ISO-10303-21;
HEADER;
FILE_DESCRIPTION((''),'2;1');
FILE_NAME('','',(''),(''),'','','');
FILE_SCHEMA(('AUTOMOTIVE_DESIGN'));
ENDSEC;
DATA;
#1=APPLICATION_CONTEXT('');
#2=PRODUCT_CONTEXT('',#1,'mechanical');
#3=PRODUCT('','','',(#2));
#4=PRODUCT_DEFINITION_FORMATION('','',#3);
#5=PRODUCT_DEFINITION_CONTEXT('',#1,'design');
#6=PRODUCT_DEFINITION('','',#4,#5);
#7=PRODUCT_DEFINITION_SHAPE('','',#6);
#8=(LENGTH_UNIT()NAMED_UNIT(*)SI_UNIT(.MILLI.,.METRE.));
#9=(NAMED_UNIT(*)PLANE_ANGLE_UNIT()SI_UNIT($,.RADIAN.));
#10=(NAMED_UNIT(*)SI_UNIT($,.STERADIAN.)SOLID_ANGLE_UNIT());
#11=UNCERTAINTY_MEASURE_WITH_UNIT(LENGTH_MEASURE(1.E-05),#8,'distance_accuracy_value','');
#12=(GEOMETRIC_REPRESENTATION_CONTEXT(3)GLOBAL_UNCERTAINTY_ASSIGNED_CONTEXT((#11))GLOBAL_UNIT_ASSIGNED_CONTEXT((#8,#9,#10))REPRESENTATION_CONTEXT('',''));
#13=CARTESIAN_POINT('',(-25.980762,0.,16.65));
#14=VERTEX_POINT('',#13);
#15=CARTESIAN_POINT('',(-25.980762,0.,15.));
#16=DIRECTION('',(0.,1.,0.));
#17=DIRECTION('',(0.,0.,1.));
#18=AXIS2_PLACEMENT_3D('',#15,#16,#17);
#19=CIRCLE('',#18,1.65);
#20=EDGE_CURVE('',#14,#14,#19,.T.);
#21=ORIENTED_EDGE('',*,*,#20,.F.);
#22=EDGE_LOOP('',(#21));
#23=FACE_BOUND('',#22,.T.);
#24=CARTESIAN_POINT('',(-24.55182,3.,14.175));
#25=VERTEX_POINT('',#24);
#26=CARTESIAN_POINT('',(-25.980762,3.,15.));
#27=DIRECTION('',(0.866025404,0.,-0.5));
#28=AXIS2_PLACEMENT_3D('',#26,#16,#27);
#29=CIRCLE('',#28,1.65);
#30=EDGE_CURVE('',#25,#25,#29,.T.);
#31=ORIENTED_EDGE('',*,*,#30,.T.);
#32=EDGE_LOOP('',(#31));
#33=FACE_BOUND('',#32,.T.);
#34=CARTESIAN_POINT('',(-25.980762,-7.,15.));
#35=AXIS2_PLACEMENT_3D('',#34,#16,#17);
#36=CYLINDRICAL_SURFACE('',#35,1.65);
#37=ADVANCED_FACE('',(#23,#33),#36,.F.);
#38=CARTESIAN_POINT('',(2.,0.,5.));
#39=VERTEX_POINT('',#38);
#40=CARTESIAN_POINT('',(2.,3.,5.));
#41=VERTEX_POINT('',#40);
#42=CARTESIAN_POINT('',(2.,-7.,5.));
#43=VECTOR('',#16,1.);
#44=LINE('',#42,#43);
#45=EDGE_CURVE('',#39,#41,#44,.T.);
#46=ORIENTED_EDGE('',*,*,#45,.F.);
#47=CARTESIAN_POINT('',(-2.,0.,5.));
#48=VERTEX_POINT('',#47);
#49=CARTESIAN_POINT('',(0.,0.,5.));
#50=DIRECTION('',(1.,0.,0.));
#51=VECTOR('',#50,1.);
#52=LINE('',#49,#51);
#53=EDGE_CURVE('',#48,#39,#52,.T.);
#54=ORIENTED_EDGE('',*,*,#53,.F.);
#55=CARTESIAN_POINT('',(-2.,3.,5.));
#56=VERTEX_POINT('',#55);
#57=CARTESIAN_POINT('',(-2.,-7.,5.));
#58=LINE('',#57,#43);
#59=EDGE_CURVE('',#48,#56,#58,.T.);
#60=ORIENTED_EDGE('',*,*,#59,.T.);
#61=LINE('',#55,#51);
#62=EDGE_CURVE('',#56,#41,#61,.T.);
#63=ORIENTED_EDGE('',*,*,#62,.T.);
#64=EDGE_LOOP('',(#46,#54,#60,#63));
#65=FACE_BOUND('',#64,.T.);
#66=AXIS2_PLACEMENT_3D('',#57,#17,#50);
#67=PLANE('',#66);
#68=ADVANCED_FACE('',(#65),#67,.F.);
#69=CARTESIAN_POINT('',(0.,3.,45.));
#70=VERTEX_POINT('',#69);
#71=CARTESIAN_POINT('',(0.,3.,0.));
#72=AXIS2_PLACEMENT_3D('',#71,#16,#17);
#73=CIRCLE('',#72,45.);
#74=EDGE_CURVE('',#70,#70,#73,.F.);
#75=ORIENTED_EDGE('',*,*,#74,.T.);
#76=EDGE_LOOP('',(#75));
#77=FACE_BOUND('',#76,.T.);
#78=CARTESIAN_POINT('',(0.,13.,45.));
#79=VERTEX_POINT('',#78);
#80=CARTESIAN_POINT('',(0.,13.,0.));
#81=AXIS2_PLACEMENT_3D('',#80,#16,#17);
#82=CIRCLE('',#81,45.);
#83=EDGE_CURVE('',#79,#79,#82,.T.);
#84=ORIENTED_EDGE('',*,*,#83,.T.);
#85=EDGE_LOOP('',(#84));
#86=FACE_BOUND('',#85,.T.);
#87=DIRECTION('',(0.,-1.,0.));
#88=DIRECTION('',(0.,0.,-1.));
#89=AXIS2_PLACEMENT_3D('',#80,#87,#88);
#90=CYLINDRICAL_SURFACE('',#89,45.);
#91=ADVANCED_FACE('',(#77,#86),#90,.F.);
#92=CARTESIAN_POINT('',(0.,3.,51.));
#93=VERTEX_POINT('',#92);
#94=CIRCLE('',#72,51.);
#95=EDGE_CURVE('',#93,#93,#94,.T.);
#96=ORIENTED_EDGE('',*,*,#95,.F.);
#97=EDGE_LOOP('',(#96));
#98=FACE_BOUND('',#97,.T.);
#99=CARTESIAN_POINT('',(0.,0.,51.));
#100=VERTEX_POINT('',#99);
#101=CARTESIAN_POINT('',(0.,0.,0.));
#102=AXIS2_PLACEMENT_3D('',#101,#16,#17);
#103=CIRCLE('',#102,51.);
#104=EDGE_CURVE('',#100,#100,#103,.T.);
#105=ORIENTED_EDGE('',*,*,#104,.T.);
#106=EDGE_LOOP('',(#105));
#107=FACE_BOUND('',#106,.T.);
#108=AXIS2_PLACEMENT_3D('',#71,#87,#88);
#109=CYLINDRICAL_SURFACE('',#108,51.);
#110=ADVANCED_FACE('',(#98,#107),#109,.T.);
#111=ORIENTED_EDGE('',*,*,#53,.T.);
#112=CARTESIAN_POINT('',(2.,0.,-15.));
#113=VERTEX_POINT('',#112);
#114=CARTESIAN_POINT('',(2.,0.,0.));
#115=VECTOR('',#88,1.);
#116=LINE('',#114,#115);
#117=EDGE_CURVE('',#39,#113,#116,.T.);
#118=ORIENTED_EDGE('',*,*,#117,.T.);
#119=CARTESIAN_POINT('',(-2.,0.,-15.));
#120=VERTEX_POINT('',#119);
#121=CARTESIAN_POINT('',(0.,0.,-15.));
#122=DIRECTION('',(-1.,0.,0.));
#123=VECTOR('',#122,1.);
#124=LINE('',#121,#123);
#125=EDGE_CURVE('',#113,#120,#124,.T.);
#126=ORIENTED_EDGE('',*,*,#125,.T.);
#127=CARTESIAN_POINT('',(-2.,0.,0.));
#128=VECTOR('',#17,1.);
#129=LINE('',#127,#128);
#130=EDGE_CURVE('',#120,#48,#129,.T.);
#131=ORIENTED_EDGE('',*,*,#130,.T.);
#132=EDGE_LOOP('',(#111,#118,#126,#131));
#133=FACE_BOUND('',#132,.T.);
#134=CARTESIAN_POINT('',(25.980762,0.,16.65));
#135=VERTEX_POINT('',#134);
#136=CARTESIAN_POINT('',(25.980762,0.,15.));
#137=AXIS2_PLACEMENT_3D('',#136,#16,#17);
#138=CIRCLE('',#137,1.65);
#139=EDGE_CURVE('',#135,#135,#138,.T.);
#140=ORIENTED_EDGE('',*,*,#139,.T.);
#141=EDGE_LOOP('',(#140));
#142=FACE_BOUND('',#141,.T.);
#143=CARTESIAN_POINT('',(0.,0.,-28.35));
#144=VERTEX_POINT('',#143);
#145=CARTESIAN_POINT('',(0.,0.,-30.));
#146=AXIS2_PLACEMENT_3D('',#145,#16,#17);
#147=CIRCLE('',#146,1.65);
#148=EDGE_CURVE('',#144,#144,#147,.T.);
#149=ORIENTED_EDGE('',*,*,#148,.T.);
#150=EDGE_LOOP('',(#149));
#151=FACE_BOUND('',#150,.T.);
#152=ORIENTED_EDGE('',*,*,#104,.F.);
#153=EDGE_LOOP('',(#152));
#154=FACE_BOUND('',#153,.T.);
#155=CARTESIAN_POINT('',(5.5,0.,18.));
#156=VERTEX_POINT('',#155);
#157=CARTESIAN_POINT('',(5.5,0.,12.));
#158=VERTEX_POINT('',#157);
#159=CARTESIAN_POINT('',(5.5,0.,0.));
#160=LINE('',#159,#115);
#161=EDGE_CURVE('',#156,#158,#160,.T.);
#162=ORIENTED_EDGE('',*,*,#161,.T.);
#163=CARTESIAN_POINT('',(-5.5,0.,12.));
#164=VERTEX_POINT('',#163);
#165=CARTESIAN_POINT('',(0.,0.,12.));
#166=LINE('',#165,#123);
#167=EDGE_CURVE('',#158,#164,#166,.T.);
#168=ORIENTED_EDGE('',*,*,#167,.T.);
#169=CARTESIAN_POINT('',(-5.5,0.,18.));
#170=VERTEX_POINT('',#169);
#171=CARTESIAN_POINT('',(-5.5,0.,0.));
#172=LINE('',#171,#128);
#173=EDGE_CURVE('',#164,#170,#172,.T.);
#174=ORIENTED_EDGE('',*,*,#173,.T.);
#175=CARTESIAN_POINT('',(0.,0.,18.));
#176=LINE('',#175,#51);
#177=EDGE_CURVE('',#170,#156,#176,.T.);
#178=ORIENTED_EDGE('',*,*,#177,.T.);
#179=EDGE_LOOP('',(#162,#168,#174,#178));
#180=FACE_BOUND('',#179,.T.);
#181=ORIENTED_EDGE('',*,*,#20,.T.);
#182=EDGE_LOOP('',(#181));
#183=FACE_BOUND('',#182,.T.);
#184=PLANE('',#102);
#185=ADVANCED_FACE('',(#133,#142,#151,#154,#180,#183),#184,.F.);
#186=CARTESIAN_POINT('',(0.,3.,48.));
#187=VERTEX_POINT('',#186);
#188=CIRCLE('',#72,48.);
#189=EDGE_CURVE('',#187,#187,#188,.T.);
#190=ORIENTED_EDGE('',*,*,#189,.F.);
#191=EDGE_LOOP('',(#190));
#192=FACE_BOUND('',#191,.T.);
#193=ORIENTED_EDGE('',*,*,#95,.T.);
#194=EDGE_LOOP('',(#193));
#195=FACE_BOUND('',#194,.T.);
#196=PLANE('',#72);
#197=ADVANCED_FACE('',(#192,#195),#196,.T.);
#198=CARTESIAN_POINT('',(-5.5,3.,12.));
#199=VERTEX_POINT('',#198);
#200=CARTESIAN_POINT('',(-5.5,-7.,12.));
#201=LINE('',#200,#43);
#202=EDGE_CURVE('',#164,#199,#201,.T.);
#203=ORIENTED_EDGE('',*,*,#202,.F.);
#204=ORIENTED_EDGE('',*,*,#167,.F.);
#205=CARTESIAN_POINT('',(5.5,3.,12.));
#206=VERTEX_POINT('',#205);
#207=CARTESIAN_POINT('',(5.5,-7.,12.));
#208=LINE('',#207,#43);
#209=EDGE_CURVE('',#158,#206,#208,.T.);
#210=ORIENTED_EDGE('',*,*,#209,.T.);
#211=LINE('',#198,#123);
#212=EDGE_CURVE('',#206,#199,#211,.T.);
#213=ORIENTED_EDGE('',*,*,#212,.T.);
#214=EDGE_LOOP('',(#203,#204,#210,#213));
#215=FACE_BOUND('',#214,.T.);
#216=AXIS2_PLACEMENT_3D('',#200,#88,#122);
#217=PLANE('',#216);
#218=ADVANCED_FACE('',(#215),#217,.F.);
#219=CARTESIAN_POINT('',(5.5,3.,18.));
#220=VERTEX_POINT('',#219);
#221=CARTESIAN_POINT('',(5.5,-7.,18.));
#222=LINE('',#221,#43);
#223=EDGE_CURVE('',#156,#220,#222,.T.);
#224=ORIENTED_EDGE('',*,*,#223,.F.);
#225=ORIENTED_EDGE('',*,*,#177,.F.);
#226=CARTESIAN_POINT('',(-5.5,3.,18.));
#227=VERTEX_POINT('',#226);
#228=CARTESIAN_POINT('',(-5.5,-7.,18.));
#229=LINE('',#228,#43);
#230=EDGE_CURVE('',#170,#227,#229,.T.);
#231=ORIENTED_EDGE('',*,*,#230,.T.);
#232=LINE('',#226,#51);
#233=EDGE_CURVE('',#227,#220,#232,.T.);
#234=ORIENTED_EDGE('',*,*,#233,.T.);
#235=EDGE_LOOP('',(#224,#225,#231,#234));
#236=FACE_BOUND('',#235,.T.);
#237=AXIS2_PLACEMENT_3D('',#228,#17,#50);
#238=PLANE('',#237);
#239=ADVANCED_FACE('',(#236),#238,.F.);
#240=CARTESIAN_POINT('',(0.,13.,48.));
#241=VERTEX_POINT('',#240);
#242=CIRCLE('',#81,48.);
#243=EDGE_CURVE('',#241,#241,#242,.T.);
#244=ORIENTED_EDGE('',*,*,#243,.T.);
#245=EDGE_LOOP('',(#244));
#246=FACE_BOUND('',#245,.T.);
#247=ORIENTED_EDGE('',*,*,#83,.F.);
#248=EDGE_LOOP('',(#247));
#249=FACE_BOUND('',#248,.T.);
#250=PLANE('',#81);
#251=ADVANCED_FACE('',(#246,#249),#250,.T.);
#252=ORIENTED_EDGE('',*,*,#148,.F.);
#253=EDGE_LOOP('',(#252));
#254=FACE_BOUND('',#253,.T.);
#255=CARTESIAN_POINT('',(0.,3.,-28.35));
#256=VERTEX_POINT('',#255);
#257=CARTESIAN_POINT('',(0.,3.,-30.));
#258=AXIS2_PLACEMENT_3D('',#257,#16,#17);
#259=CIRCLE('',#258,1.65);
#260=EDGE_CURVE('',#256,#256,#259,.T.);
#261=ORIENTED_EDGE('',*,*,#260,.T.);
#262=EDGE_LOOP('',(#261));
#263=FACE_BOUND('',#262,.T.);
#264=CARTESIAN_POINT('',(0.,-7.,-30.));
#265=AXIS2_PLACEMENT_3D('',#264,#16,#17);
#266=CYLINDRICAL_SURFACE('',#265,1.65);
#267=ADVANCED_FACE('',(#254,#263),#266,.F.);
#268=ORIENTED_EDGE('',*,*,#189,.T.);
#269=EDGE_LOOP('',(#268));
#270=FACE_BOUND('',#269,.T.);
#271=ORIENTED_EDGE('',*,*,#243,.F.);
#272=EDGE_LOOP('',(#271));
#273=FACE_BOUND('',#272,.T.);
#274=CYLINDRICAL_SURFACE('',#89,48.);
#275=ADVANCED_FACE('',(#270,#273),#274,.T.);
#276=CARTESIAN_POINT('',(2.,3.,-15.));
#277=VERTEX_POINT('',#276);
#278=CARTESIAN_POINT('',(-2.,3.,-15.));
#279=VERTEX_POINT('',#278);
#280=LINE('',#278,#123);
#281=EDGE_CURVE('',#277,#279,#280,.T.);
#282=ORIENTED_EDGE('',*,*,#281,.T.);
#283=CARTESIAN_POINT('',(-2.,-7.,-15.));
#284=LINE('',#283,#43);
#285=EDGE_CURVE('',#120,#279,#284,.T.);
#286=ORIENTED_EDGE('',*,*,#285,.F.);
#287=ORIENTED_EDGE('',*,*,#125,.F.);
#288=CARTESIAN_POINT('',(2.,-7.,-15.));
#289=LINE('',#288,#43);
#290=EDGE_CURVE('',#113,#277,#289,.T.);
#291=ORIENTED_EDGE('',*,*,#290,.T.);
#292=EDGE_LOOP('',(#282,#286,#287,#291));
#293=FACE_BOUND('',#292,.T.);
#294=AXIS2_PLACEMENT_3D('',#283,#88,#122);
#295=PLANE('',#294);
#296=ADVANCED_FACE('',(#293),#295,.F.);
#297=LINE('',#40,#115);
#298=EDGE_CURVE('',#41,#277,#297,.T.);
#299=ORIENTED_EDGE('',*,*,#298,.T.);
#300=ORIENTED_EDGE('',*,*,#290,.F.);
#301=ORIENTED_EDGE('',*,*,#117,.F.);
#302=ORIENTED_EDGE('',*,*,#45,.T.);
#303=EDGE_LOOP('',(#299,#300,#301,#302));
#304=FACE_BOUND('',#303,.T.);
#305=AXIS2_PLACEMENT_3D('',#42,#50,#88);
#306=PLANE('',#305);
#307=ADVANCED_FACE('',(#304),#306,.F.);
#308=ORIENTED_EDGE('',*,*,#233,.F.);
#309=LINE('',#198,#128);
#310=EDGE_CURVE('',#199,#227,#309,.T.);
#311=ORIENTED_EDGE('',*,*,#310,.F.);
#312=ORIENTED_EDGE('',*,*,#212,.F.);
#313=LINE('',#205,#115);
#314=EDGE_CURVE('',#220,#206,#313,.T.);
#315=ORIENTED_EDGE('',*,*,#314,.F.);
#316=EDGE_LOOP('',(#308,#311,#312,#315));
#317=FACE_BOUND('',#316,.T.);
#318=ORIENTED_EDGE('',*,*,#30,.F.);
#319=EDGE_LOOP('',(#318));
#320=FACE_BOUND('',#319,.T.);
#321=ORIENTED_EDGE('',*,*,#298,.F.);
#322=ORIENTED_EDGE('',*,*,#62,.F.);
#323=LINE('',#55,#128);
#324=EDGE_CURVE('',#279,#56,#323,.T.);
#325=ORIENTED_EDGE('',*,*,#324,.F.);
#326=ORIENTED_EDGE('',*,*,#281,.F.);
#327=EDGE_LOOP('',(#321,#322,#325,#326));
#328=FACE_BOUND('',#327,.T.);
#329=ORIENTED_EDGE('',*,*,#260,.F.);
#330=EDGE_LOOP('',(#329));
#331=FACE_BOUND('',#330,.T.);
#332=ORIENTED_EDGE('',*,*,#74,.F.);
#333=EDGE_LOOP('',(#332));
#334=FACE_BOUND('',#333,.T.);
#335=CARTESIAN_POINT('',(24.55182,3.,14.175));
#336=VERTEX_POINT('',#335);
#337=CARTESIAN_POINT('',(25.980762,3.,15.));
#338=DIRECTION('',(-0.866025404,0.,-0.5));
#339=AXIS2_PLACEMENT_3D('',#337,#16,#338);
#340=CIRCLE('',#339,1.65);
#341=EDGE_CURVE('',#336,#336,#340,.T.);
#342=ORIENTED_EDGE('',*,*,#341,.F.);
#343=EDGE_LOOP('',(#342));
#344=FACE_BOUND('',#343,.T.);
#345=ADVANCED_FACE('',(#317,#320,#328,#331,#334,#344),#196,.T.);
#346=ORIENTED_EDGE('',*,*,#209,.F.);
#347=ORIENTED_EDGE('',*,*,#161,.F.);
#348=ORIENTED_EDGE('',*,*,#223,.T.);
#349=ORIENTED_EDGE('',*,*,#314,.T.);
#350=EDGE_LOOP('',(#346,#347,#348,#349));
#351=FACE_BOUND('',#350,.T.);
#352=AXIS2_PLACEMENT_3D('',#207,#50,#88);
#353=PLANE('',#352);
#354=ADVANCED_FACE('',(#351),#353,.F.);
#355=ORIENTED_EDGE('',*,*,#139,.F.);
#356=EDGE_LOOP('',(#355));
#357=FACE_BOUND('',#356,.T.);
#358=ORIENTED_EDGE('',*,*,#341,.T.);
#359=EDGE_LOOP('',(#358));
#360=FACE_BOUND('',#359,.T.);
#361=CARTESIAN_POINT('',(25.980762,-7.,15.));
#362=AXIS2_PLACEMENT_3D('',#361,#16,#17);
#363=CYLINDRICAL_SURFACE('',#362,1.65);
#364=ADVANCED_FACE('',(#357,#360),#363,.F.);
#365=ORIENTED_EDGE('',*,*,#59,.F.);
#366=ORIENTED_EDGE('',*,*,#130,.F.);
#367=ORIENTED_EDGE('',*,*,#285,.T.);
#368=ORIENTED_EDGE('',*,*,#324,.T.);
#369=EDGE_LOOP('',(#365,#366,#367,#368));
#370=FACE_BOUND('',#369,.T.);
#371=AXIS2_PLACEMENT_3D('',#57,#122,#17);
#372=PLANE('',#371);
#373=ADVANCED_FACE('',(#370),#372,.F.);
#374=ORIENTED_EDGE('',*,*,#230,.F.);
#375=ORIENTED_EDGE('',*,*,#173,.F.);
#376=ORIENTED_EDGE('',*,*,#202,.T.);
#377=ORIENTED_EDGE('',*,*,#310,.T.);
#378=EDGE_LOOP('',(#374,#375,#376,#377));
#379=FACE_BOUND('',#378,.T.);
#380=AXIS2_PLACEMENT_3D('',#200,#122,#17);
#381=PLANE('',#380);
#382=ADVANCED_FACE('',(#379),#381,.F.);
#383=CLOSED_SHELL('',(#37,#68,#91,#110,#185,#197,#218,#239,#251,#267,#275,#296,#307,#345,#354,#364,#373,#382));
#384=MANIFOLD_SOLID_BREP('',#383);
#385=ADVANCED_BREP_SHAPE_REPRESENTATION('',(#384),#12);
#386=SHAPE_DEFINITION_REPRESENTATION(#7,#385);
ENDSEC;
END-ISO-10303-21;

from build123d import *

# Parameters (mm, degrees)
SKETCH_1_R               = 51
EXTRUDE_1_DEPTH          = 3
SKETCH_2_R               = 48
SKETCH_2_R_2             = 45
EXTRUDE_2_DEPTH          = 10
SKETCH_5_R               = 1.65
CUT_EXTRUDE_1_DEPTH      = 10
PATTERN_CIRCULAR_1_COUNT = 3
SKETCH_6_W               = 4
SKETCH_6_H               = 20
SKETCH_6_W_2             = 11
SKETCH_6_H_2             = 6
CUT_EXTRUDE_2_DEPTH      = 10


with BuildPart() as part:
    # Эскиз1 → Бобышка-Вытянуть1 (new body)
    with BuildSketch(Plane(origin=(0, 0, 0), x_dir=(1, 0, 0), z_dir=(0, 1, 0))):
        with Locations(Location((0, 0, 0), (0, 0, 270))):
            Circle(SKETCH_1_R)
    extrude(amount=EXTRUDE_1_DEPTH)

    # Эскиз2 → Бобышка-Вытянуть2 (add)
    with BuildSketch(Plane(origin=(0, 3, 0), x_dir=(1, 0, 0), z_dir=(0, 1, 0))):
        with Locations(Location((0, 0, 0), (0, 0, 270))):
            Circle(SKETCH_2_R)
        with Locations(Location((0, 0, 0), (0, 0, 270))):
            Circle(SKETCH_2_R_2, mode=Mode.SUBTRACT)
    extrude(amount=EXTRUDE_2_DEPTH)

    # Эскиз5 → Вырез-Вытянуть1 (cut)
    with BuildSketch(Plane(origin=(0, 3, 0), x_dir=(1, 0, 0), z_dir=(0, 1, 0))):
        with Locations(Location((0, 30, 0), (0, 0, 270))):
            Circle(SKETCH_5_R)
    cut_extrude_1 = extrude(amount=-CUT_EXTRUDE_1_DEPTH, mode=Mode.SUBTRACT)

    # Круговой массив1: Вырез-Вытянуть1 ×3 about axis
    pattern_circular_1_axis = Axis((0, 0, 0), (0, 1, 0))
    for i in range(1, PATTERN_CIRCULAR_1_COUNT):
        add(cut_extrude_1.rotate(pattern_circular_1_axis, i * 360 / PATTERN_CIRCULAR_1_COUNT), mode=Mode.SUBTRACT)

    # Эскиз6 → Вырез-Вытянуть2 (cut)
    with BuildSketch(Plane(origin=(0, 3, 0), x_dir=(1, 0, 0), z_dir=(0, 1, 0))):
        with Locations((0, 5)):
            Rectangle(SKETCH_6_W, SKETCH_6_H)
        with Locations((0, -15)):
            Rectangle(SKETCH_6_W_2, SKETCH_6_H_2)
    extrude(amount=-CUT_EXTRUDE_2_DEPTH, mode=Mode.SUBTRACT)


solid = part.part
